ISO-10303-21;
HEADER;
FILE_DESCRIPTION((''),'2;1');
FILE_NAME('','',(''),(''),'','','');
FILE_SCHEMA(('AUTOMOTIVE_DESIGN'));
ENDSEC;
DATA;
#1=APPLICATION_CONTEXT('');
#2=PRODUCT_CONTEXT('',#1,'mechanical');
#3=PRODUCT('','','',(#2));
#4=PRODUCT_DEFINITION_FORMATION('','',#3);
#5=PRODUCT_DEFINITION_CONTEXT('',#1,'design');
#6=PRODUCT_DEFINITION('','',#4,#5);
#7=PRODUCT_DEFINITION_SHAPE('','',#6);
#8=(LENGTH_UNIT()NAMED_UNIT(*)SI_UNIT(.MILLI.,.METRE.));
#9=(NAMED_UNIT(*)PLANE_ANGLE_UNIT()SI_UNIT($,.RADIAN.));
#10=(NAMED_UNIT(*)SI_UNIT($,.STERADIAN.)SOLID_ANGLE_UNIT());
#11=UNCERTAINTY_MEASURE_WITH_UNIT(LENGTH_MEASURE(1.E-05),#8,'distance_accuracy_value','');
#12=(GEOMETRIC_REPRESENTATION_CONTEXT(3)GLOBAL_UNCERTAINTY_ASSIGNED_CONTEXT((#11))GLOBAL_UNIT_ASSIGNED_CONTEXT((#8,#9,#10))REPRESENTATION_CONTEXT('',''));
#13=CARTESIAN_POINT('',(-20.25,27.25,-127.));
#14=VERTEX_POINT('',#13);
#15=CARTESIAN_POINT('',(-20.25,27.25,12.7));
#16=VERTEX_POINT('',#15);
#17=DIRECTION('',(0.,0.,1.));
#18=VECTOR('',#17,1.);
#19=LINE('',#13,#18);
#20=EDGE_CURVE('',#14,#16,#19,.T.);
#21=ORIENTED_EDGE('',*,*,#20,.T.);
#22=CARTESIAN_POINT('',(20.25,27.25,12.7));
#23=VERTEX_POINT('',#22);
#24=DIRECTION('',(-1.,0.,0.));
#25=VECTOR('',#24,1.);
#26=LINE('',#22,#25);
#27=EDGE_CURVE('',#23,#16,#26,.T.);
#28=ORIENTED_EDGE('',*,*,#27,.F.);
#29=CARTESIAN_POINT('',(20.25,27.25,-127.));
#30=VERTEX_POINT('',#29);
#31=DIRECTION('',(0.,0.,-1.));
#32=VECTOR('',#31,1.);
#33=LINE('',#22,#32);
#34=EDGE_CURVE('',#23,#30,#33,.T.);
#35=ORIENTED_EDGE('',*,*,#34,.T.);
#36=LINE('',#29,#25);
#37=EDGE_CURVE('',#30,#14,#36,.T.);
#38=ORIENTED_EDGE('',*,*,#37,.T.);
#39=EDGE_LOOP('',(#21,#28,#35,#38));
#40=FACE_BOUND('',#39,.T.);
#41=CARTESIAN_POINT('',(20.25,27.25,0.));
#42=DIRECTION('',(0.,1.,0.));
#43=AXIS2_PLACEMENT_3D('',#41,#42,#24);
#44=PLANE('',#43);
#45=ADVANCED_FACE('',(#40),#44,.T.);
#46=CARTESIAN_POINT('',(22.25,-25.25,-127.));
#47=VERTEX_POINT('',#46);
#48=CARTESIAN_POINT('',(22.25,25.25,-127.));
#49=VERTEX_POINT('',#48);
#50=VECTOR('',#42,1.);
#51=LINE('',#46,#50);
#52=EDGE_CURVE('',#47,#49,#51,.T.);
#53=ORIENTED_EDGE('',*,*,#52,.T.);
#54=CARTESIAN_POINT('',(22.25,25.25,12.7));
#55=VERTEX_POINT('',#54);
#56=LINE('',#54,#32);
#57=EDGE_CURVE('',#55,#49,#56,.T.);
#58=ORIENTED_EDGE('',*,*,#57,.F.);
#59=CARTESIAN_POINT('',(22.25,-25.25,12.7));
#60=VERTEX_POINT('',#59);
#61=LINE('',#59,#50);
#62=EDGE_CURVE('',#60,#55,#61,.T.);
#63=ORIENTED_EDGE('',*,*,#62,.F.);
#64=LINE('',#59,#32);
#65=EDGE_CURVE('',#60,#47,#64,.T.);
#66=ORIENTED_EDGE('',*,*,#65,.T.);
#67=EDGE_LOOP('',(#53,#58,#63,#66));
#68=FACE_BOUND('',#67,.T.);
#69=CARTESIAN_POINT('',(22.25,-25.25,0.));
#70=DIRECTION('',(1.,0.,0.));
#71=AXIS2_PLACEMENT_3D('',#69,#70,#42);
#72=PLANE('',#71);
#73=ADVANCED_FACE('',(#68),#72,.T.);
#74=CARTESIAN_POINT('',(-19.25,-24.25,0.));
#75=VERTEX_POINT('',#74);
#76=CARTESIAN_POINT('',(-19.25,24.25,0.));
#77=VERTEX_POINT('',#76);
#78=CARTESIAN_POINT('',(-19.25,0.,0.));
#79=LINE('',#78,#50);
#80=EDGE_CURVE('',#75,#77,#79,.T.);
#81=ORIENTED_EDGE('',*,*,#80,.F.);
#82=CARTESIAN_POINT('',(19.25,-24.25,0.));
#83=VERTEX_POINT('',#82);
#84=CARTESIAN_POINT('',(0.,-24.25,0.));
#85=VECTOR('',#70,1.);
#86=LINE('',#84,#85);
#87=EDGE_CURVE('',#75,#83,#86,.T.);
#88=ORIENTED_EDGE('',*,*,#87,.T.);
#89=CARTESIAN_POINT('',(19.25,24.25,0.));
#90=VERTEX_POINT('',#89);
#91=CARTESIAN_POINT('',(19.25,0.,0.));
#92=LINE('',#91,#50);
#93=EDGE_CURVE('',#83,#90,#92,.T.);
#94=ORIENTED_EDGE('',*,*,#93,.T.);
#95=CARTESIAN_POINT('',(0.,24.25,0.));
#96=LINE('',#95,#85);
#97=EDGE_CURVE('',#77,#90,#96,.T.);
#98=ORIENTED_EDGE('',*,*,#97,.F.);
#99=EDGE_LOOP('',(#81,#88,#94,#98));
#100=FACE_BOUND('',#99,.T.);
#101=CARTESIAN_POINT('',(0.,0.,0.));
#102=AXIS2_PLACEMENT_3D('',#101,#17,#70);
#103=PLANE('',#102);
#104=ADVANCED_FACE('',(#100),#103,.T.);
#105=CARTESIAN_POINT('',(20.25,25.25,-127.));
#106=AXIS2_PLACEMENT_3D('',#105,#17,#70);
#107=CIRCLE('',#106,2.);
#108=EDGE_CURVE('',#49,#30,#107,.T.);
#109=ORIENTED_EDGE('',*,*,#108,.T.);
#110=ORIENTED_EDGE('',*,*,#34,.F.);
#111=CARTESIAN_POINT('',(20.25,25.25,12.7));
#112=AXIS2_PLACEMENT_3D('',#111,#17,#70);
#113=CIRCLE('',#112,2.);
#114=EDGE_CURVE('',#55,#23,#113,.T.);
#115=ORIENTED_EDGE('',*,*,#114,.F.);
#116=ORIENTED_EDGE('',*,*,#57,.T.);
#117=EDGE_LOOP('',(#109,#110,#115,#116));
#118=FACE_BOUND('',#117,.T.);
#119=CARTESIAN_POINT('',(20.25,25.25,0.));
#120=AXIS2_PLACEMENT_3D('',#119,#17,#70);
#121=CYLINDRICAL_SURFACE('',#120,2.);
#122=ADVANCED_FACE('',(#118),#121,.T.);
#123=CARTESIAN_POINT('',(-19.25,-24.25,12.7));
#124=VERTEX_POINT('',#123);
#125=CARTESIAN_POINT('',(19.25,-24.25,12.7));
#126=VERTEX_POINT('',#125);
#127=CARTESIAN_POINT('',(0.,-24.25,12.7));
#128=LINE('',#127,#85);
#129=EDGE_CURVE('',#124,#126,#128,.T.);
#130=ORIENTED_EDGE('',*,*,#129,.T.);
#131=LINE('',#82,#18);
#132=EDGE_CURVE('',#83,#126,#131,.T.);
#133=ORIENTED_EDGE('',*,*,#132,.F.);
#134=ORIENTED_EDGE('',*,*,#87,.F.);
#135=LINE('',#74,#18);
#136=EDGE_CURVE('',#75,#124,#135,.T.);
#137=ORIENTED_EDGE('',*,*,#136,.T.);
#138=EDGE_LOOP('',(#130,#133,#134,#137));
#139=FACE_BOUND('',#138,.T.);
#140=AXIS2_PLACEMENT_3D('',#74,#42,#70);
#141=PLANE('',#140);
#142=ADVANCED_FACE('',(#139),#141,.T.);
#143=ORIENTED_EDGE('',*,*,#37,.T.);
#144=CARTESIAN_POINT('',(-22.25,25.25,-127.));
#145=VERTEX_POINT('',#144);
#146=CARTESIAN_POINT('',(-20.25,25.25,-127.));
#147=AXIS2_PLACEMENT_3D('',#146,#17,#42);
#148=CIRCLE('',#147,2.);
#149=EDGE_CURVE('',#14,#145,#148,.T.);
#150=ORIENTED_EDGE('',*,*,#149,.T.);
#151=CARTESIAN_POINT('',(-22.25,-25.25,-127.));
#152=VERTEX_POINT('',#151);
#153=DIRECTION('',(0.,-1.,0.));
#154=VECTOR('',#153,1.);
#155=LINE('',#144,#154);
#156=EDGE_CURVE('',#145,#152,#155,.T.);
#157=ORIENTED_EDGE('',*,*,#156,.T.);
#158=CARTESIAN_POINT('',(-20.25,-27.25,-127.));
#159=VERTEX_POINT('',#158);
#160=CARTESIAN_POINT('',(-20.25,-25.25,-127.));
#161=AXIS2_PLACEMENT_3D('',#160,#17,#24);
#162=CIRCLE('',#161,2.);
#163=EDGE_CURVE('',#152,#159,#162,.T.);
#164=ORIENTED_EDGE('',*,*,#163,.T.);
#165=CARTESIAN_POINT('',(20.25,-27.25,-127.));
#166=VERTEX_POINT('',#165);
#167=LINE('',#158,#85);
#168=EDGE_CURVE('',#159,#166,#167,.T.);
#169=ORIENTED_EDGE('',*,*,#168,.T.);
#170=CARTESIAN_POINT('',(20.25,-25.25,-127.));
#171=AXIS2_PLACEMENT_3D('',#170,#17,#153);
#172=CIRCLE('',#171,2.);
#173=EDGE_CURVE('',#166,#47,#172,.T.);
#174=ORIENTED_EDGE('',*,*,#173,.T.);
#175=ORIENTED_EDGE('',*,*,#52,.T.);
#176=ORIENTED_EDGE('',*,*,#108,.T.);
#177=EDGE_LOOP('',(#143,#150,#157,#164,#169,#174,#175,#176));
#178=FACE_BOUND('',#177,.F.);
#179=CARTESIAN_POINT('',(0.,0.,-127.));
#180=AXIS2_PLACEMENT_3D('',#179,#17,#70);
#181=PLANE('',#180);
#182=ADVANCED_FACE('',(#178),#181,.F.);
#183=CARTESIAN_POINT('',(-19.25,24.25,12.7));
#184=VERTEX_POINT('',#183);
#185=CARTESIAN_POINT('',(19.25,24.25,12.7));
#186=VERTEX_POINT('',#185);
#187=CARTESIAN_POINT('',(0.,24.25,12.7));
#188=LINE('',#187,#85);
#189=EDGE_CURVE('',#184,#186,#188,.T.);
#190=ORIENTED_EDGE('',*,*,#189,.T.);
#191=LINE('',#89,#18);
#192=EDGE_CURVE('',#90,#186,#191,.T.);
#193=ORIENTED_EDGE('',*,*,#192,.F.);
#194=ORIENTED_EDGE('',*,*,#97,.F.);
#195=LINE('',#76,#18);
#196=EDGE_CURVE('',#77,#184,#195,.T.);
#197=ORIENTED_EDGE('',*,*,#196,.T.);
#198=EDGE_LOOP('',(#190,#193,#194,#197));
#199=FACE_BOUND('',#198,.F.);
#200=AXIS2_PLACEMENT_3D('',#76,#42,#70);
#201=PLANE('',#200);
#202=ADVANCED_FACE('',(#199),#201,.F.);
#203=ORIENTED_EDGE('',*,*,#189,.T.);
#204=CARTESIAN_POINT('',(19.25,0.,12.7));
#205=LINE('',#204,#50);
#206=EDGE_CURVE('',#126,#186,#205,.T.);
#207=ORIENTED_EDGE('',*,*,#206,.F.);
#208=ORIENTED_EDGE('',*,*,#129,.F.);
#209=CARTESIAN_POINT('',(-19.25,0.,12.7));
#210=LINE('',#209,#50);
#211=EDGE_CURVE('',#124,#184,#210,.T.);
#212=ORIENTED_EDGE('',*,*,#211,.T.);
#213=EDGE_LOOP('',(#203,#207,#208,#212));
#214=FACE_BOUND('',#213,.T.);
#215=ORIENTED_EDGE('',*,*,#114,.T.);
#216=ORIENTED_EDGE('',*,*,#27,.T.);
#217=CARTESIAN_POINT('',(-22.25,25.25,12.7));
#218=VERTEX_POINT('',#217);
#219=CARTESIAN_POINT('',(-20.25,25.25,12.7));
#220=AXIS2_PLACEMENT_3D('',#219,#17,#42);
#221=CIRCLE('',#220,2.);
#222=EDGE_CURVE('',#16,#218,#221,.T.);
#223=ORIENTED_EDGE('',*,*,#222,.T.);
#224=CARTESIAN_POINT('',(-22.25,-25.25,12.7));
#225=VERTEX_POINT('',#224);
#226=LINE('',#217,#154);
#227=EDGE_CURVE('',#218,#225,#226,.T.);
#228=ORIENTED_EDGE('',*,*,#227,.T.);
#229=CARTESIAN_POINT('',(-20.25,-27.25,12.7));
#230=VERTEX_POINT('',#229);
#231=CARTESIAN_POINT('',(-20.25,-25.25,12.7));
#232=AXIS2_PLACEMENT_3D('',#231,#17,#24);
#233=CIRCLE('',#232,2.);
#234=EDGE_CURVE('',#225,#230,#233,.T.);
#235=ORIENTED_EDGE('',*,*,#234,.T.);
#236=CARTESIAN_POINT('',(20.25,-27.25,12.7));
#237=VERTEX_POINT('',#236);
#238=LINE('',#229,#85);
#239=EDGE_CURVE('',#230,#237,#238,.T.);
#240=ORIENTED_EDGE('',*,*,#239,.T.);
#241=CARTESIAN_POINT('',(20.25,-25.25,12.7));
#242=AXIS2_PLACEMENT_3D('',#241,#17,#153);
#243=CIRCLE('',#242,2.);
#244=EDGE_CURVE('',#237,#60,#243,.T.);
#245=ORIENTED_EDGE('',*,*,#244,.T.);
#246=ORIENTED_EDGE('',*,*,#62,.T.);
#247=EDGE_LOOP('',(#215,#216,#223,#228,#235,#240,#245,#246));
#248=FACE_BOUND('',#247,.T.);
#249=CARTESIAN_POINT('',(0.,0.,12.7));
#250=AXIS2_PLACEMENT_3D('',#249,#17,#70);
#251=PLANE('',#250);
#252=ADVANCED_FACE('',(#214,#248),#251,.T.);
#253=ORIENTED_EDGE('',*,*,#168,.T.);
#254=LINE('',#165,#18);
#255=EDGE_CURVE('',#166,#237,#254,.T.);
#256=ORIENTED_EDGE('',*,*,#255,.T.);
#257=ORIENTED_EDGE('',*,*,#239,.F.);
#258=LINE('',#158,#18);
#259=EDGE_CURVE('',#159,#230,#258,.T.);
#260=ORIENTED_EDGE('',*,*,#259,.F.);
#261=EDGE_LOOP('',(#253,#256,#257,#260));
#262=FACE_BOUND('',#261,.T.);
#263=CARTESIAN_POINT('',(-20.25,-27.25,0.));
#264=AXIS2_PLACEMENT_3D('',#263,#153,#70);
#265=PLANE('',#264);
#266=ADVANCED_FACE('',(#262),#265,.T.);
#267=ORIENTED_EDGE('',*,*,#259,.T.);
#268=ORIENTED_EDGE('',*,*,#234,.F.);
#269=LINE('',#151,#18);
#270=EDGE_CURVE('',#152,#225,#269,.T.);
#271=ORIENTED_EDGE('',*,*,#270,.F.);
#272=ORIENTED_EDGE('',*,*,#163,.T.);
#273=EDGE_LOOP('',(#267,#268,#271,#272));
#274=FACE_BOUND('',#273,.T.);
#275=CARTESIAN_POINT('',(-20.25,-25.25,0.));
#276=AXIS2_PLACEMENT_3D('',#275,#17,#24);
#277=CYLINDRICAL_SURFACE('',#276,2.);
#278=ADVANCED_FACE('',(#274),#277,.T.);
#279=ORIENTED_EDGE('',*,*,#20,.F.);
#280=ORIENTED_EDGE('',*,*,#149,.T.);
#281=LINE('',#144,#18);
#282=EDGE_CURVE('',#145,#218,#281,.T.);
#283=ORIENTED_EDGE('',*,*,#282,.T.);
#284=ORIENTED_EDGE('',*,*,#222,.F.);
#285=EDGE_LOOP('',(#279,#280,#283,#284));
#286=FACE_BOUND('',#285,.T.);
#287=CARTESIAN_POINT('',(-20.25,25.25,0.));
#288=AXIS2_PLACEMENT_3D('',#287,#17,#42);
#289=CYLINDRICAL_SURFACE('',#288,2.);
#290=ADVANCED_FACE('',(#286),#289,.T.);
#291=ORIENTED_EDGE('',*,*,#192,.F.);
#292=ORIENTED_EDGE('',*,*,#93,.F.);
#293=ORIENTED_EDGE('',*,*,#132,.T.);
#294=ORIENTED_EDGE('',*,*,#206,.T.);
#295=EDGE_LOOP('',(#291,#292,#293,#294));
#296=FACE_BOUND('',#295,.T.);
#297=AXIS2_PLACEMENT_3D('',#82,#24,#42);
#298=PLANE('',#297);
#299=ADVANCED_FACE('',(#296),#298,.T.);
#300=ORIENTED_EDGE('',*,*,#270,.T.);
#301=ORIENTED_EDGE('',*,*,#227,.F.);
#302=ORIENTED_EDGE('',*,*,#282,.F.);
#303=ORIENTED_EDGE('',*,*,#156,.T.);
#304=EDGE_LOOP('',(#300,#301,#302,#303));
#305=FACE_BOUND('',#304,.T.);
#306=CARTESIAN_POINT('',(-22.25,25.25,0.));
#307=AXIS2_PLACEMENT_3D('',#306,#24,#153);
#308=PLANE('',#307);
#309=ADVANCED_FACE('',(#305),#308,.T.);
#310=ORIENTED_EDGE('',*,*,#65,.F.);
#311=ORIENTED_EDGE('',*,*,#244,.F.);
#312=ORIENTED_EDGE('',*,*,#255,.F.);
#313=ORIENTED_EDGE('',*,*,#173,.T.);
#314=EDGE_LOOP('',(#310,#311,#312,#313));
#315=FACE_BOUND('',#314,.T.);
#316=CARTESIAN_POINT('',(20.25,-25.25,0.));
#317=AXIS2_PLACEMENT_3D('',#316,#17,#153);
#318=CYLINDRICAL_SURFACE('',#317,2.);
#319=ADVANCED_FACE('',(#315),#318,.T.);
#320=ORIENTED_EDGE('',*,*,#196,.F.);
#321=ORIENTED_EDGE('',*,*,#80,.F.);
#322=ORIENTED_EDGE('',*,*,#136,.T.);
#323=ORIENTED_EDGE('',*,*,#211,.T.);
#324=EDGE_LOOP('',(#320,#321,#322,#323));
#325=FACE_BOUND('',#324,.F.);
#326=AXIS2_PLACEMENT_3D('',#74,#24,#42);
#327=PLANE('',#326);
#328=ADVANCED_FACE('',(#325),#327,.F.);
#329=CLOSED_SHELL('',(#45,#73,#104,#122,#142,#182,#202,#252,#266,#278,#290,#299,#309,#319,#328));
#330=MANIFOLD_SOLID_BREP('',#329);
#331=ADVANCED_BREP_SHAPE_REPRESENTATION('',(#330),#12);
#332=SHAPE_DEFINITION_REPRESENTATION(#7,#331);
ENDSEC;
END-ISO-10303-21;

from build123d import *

# Parameters (mm, degrees)
F0_W     = 38.5
F0_H     = 48.5
F1_DEPTH = 12.7
F2_DEPTH = 127


with BuildPart() as f1:
    # F0 (on Top) → F1 (new body)
    with BuildSketch(Plane.XY):
        with BuildLine():
            Line((20.25, 27.25), (-20.25, 27.25))
            ThreePointArc((-20.25, 27.25), (-21.6642135624, 26.6642135624), (-22.25, 25.25))
            Line((-22.25, 25.25), (-22.25, -25.25))
            ThreePointArc((-22.25, -25.25), (-21.6642135624, -26.6642135624), (-20.25, -27.25))
            Line((-20.25, -27.25), (20.25, -27.25))
            ThreePointArc((20.25, -27.25), (21.6642135624, -26.6642135624), (22.25, -25.25))
            Line((22.25, -25.25), (22.25, 25.25))
            ThreePointArc((22.25, 25.25), (21.6642135624, 26.6642135624), (20.25, 27.25))
        make_face()
        Rectangle(F0_W, F0_H, mode=Mode.SUBTRACT)
    extrude(amount=F1_DEPTH)

    # F0 (on Top) → F2 (join)
    with BuildSketch(Plane.XY):
        with BuildLine():
            Line((20.25, 27.25), (-20.25, 27.25))
            ThreePointArc((-20.25, 27.25), (-21.6642135624, 26.6642135624), (-22.25, 25.25))
            Line((-22.25, 25.25), (-22.25, -25.25))
            ThreePointArc((-22.25, -25.25), (-21.6642135624, -26.6642135624), (-20.25, -27.25))
            Line((-20.25, -27.25), (20.25, -27.25))
            ThreePointArc((20.25, -27.25), (21.6642135624, -26.6642135624), (22.25, -25.25))
            Line((22.25, -25.25), (22.25, 25.25))
            ThreePointArc((22.25, 25.25), (21.6642135624, 26.6642135624), (20.25, 27.25))
        make_face()
        Rectangle(F0_W, F0_H, mode=Mode.SUBTRACT)
        Rectangle(F0_W, F0_H)
    extrude(amount=-F2_DEPTH)


solid = f1.part
